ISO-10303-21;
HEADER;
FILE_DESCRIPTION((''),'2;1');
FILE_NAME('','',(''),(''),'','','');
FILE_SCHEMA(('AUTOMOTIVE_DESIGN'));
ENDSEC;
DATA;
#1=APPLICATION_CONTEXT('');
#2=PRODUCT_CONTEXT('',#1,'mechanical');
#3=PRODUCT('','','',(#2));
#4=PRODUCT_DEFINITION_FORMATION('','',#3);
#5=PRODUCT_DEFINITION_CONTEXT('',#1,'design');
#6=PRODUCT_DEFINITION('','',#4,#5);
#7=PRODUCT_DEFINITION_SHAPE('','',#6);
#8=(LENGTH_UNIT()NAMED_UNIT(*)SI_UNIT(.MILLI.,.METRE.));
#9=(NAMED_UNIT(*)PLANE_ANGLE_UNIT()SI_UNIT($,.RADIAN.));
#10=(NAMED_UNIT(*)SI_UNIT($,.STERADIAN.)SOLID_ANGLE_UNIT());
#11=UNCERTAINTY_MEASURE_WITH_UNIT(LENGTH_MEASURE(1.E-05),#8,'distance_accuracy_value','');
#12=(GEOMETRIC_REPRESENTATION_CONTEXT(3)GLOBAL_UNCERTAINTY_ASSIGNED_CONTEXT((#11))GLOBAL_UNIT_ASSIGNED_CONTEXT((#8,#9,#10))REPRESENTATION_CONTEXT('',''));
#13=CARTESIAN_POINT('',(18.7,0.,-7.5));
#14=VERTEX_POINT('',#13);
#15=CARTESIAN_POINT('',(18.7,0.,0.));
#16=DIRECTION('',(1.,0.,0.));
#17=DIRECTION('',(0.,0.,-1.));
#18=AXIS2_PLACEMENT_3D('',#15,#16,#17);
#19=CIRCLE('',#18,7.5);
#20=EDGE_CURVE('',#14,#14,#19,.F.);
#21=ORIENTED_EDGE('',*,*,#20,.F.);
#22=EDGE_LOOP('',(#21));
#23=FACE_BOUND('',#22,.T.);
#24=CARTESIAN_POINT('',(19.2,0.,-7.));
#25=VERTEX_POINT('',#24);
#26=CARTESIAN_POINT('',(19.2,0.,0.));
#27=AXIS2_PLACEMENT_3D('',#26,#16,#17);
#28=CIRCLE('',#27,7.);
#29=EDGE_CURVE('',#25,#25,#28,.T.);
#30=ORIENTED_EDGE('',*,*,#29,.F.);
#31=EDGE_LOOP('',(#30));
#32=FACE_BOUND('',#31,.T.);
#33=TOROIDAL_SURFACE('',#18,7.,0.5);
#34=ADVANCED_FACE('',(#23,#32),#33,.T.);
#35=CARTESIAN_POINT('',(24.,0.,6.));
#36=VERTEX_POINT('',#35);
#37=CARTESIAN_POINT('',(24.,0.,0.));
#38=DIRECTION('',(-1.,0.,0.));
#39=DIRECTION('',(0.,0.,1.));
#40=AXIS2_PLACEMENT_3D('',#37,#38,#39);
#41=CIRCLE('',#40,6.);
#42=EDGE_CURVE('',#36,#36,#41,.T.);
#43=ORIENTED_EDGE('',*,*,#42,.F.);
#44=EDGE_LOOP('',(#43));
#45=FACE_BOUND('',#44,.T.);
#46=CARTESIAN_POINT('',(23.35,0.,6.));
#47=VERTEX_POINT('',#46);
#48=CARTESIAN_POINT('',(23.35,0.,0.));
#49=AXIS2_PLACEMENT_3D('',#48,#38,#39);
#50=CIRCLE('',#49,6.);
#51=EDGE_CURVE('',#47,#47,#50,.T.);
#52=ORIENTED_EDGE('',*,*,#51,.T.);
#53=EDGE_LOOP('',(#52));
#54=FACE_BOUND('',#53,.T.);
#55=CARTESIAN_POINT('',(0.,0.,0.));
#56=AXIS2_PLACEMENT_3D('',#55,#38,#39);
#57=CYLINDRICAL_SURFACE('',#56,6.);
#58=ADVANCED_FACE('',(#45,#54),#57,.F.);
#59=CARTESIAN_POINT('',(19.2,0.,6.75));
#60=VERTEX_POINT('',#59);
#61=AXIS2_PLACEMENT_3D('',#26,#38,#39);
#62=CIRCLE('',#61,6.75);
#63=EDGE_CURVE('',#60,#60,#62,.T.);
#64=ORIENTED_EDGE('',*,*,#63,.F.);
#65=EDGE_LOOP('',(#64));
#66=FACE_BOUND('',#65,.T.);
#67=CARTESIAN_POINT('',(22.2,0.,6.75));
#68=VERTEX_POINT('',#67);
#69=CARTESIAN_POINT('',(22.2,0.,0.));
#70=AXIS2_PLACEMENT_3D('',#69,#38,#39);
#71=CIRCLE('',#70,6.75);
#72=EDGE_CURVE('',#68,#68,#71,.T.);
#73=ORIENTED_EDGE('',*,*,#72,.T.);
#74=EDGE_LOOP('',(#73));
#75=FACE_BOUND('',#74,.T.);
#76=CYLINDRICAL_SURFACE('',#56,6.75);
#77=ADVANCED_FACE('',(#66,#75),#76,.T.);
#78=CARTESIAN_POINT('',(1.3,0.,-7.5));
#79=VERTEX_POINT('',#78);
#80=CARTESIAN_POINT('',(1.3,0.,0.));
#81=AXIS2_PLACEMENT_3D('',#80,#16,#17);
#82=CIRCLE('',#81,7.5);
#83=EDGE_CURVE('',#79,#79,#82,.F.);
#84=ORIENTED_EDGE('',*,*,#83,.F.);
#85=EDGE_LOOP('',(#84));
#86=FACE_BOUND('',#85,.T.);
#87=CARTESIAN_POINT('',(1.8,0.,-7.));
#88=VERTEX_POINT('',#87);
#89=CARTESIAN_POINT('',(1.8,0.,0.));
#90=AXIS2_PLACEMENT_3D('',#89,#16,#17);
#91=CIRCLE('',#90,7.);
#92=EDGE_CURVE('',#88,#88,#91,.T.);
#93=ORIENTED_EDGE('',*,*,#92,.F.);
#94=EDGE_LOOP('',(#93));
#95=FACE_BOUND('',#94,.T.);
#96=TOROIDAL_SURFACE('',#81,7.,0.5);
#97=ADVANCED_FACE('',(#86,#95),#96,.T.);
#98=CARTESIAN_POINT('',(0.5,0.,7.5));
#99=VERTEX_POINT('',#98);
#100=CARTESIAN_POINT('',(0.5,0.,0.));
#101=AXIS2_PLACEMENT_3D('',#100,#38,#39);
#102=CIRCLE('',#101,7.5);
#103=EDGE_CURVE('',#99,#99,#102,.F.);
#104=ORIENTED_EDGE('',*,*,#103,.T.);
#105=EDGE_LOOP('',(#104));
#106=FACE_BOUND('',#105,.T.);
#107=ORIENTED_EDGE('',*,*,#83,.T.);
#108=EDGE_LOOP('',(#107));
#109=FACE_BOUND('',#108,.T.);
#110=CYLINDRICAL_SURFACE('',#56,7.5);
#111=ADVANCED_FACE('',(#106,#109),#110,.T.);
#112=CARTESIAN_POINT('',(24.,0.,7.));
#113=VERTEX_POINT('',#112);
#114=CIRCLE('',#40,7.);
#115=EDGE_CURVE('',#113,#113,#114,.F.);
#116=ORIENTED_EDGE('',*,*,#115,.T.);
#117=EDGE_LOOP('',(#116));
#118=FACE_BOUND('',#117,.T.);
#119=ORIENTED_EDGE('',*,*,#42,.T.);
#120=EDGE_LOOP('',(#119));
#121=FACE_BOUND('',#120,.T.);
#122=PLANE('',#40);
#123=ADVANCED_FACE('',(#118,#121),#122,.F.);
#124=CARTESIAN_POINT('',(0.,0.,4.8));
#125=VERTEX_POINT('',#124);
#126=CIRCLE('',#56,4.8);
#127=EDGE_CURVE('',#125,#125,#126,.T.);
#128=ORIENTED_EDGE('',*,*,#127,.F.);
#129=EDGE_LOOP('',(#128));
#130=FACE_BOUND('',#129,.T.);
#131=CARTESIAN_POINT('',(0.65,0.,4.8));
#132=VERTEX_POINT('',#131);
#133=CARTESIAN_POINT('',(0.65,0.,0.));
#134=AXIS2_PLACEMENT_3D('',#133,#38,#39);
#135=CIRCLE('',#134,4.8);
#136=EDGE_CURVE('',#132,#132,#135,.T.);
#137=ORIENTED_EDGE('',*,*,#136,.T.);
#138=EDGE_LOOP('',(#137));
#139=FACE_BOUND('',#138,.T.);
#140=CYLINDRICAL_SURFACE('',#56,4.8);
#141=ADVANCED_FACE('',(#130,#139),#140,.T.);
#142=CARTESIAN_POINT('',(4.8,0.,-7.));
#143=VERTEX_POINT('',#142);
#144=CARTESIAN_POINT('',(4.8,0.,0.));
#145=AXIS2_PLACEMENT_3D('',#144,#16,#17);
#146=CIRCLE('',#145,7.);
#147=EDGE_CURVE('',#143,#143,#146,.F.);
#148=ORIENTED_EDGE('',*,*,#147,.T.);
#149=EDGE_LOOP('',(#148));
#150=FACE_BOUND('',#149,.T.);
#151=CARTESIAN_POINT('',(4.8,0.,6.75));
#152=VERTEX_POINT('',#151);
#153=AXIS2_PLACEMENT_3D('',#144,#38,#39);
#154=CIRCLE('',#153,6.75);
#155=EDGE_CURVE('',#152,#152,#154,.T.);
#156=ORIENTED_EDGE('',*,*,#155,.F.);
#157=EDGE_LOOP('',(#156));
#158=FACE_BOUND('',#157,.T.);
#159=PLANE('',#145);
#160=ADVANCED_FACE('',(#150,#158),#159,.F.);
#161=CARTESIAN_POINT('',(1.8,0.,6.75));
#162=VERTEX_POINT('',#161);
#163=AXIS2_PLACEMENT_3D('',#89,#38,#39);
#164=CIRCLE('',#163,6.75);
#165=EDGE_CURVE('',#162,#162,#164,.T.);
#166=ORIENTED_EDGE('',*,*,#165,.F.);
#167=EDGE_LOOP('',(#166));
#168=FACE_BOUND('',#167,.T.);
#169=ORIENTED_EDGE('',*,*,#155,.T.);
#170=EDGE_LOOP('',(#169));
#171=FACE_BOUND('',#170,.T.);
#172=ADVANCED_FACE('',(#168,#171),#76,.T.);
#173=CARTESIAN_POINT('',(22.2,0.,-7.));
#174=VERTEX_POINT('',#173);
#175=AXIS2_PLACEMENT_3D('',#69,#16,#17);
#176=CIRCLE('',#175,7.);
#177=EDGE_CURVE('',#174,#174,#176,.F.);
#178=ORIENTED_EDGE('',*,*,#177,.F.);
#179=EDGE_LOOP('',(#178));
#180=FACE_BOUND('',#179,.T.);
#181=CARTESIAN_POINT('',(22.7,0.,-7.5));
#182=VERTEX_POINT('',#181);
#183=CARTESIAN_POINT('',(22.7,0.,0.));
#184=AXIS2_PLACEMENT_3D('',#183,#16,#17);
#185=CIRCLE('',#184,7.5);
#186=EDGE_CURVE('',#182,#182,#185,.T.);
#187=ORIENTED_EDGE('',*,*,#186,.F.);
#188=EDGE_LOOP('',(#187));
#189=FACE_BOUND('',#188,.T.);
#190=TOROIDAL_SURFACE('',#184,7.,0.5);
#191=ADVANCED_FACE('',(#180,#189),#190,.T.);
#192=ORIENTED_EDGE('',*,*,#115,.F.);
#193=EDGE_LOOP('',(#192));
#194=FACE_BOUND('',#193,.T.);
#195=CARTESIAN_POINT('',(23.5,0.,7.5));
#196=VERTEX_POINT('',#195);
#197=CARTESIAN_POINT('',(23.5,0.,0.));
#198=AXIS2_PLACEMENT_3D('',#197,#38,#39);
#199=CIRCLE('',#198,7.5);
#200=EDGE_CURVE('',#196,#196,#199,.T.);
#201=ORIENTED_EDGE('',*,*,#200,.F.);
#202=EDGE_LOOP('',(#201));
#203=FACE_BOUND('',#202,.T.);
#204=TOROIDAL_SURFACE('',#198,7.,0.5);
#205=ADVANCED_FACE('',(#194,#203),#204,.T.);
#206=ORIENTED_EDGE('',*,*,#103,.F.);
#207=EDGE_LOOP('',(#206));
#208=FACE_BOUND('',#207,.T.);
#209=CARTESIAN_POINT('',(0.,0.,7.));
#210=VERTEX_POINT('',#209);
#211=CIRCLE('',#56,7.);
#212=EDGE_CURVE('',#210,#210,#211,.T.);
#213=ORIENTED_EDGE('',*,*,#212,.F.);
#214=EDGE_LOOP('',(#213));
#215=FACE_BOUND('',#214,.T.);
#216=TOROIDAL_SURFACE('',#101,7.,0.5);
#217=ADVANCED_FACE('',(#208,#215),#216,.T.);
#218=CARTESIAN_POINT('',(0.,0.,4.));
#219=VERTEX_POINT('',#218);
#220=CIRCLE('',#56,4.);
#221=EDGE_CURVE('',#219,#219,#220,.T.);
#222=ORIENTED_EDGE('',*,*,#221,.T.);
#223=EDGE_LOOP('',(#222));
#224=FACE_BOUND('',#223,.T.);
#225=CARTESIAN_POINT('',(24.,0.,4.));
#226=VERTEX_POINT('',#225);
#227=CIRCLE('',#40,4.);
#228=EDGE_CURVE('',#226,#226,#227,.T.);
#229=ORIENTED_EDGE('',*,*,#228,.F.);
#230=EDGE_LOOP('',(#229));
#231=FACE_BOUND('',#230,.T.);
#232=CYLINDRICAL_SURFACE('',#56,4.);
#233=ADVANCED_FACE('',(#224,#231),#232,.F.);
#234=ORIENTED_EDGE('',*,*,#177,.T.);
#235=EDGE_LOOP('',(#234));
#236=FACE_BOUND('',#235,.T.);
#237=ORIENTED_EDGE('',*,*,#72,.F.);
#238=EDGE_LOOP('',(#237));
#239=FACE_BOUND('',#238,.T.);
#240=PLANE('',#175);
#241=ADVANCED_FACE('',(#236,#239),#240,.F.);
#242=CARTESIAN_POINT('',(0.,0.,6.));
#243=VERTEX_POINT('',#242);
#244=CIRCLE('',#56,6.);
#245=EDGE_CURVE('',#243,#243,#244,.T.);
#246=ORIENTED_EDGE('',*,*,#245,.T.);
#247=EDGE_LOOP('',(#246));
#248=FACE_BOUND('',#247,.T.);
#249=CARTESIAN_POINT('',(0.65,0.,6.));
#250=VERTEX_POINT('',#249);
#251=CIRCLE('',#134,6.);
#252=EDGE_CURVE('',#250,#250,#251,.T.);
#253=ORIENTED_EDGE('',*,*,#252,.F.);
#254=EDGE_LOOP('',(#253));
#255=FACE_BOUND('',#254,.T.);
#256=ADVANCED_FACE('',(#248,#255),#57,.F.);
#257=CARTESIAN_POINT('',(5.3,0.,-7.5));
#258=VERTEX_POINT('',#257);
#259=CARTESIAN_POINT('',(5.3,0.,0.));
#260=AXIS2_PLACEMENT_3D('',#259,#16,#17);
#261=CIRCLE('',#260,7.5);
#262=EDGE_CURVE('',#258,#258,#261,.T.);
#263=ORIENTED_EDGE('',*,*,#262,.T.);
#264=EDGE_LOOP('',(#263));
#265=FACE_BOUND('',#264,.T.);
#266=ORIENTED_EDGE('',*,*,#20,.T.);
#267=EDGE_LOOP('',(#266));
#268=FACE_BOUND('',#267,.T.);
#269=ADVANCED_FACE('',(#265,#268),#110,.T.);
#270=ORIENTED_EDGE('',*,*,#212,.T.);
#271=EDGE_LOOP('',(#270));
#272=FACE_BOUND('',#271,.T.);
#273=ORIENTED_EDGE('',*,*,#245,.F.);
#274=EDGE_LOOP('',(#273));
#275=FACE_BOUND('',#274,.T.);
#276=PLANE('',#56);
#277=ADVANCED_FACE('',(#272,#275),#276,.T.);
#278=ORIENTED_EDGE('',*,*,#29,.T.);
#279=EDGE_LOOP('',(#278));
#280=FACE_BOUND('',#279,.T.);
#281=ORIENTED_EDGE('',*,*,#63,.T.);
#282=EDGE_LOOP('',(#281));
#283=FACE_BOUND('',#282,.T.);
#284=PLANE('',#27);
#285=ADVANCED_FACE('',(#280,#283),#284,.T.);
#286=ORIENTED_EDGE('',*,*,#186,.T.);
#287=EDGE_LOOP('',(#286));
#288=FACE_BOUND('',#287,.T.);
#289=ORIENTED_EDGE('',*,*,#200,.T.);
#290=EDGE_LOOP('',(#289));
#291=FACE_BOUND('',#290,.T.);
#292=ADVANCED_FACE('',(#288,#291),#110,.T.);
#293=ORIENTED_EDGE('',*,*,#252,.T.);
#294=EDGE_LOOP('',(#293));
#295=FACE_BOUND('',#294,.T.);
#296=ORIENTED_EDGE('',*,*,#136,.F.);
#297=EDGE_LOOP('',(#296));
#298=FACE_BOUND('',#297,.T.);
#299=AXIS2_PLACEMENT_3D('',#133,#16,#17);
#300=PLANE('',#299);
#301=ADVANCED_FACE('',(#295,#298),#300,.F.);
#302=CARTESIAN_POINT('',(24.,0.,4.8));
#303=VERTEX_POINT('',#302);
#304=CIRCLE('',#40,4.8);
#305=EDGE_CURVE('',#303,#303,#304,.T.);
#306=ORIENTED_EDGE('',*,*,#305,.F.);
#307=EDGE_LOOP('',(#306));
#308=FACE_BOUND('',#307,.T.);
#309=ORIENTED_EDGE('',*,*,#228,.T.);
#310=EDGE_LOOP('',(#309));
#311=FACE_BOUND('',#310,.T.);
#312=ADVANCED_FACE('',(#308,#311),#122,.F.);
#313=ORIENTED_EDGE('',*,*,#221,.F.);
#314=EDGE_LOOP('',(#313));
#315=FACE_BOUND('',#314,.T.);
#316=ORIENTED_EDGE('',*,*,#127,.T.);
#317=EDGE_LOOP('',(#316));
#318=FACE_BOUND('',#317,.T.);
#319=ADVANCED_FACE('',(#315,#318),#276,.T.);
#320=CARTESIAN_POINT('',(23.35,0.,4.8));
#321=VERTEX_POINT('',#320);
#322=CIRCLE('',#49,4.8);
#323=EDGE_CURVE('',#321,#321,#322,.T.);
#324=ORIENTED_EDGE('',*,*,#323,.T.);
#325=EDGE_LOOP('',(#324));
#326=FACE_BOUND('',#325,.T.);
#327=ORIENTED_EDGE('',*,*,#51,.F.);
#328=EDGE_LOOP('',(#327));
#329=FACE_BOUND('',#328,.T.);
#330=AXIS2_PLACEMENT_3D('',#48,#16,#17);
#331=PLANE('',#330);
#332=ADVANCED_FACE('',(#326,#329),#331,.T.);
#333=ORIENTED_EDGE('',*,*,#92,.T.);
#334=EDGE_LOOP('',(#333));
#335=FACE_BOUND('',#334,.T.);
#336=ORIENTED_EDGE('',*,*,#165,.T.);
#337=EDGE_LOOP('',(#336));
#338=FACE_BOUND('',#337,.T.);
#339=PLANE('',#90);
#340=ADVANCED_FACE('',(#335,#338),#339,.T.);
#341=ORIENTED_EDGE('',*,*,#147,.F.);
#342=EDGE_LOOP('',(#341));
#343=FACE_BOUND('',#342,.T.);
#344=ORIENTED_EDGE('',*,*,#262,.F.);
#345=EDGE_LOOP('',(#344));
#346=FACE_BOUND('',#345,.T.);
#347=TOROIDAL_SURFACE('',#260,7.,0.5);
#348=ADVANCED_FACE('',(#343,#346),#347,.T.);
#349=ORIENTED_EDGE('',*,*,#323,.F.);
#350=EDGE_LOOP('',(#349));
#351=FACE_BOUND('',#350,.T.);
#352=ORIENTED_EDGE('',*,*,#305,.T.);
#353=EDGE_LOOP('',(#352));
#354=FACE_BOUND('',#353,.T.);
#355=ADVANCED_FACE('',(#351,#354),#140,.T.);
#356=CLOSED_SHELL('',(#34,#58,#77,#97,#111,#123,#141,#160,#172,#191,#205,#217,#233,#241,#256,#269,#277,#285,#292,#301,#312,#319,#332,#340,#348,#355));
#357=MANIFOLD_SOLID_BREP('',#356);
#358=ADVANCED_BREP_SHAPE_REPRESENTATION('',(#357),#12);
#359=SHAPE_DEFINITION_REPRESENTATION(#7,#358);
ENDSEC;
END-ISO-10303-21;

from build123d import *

# Parameters (mm, degrees)
FILLET4_R = 0.5
FILLET5_R = 0.5


with BuildPart() as part:
    # Sketch1 → Revolve1 (revolve)
    with BuildSketch(Plane.XY, mode=Mode.PRIVATE) as revolve1_sk:
        Polygon((0, 4.8), (0, 4), (24, 4), (24, 4.8), (23.35, 4.8), (23.35, 6), (24, 6), (24, 7.5), (22.2, 7.5), (22.2, 6.75), (19.2, 6.75), (19.2, 7.5), (4.8, 7.5), (4.8, 6.75), (1.8, 6.75), (1.8, 7.5), (0, 7.5), (0, 6), (0.65, 6), (0.65, 4.8), align=None)
    revolve(revolve1_sk.sketch.rotate(Axis((0, 0, 0), (1, 0, 0)), 90), axis=Axis((0, 0, 0), (1, 0, 0)))

    # Fillet4
    fillet4_edges = [part.edges().sort_by_distance(p)[0] for p in [
        (0, 0, -7.5),
    ]]
    fillet(fillet4_edges, radius=FILLET4_R)

    # Fillet5
    fillet5_edges = [part.edges().sort_by_distance(p)[0] for p in [
        (1.8, 0, -7.5),
        (4.8, 0, -7.5),
        (19.2, 0, -7.5),
        (22.2, 0, -7.5),
        (24, 0, -7.5),
    ]]
    fillet(fillet5_edges, radius=FILLET5_R)


solid = part.part
